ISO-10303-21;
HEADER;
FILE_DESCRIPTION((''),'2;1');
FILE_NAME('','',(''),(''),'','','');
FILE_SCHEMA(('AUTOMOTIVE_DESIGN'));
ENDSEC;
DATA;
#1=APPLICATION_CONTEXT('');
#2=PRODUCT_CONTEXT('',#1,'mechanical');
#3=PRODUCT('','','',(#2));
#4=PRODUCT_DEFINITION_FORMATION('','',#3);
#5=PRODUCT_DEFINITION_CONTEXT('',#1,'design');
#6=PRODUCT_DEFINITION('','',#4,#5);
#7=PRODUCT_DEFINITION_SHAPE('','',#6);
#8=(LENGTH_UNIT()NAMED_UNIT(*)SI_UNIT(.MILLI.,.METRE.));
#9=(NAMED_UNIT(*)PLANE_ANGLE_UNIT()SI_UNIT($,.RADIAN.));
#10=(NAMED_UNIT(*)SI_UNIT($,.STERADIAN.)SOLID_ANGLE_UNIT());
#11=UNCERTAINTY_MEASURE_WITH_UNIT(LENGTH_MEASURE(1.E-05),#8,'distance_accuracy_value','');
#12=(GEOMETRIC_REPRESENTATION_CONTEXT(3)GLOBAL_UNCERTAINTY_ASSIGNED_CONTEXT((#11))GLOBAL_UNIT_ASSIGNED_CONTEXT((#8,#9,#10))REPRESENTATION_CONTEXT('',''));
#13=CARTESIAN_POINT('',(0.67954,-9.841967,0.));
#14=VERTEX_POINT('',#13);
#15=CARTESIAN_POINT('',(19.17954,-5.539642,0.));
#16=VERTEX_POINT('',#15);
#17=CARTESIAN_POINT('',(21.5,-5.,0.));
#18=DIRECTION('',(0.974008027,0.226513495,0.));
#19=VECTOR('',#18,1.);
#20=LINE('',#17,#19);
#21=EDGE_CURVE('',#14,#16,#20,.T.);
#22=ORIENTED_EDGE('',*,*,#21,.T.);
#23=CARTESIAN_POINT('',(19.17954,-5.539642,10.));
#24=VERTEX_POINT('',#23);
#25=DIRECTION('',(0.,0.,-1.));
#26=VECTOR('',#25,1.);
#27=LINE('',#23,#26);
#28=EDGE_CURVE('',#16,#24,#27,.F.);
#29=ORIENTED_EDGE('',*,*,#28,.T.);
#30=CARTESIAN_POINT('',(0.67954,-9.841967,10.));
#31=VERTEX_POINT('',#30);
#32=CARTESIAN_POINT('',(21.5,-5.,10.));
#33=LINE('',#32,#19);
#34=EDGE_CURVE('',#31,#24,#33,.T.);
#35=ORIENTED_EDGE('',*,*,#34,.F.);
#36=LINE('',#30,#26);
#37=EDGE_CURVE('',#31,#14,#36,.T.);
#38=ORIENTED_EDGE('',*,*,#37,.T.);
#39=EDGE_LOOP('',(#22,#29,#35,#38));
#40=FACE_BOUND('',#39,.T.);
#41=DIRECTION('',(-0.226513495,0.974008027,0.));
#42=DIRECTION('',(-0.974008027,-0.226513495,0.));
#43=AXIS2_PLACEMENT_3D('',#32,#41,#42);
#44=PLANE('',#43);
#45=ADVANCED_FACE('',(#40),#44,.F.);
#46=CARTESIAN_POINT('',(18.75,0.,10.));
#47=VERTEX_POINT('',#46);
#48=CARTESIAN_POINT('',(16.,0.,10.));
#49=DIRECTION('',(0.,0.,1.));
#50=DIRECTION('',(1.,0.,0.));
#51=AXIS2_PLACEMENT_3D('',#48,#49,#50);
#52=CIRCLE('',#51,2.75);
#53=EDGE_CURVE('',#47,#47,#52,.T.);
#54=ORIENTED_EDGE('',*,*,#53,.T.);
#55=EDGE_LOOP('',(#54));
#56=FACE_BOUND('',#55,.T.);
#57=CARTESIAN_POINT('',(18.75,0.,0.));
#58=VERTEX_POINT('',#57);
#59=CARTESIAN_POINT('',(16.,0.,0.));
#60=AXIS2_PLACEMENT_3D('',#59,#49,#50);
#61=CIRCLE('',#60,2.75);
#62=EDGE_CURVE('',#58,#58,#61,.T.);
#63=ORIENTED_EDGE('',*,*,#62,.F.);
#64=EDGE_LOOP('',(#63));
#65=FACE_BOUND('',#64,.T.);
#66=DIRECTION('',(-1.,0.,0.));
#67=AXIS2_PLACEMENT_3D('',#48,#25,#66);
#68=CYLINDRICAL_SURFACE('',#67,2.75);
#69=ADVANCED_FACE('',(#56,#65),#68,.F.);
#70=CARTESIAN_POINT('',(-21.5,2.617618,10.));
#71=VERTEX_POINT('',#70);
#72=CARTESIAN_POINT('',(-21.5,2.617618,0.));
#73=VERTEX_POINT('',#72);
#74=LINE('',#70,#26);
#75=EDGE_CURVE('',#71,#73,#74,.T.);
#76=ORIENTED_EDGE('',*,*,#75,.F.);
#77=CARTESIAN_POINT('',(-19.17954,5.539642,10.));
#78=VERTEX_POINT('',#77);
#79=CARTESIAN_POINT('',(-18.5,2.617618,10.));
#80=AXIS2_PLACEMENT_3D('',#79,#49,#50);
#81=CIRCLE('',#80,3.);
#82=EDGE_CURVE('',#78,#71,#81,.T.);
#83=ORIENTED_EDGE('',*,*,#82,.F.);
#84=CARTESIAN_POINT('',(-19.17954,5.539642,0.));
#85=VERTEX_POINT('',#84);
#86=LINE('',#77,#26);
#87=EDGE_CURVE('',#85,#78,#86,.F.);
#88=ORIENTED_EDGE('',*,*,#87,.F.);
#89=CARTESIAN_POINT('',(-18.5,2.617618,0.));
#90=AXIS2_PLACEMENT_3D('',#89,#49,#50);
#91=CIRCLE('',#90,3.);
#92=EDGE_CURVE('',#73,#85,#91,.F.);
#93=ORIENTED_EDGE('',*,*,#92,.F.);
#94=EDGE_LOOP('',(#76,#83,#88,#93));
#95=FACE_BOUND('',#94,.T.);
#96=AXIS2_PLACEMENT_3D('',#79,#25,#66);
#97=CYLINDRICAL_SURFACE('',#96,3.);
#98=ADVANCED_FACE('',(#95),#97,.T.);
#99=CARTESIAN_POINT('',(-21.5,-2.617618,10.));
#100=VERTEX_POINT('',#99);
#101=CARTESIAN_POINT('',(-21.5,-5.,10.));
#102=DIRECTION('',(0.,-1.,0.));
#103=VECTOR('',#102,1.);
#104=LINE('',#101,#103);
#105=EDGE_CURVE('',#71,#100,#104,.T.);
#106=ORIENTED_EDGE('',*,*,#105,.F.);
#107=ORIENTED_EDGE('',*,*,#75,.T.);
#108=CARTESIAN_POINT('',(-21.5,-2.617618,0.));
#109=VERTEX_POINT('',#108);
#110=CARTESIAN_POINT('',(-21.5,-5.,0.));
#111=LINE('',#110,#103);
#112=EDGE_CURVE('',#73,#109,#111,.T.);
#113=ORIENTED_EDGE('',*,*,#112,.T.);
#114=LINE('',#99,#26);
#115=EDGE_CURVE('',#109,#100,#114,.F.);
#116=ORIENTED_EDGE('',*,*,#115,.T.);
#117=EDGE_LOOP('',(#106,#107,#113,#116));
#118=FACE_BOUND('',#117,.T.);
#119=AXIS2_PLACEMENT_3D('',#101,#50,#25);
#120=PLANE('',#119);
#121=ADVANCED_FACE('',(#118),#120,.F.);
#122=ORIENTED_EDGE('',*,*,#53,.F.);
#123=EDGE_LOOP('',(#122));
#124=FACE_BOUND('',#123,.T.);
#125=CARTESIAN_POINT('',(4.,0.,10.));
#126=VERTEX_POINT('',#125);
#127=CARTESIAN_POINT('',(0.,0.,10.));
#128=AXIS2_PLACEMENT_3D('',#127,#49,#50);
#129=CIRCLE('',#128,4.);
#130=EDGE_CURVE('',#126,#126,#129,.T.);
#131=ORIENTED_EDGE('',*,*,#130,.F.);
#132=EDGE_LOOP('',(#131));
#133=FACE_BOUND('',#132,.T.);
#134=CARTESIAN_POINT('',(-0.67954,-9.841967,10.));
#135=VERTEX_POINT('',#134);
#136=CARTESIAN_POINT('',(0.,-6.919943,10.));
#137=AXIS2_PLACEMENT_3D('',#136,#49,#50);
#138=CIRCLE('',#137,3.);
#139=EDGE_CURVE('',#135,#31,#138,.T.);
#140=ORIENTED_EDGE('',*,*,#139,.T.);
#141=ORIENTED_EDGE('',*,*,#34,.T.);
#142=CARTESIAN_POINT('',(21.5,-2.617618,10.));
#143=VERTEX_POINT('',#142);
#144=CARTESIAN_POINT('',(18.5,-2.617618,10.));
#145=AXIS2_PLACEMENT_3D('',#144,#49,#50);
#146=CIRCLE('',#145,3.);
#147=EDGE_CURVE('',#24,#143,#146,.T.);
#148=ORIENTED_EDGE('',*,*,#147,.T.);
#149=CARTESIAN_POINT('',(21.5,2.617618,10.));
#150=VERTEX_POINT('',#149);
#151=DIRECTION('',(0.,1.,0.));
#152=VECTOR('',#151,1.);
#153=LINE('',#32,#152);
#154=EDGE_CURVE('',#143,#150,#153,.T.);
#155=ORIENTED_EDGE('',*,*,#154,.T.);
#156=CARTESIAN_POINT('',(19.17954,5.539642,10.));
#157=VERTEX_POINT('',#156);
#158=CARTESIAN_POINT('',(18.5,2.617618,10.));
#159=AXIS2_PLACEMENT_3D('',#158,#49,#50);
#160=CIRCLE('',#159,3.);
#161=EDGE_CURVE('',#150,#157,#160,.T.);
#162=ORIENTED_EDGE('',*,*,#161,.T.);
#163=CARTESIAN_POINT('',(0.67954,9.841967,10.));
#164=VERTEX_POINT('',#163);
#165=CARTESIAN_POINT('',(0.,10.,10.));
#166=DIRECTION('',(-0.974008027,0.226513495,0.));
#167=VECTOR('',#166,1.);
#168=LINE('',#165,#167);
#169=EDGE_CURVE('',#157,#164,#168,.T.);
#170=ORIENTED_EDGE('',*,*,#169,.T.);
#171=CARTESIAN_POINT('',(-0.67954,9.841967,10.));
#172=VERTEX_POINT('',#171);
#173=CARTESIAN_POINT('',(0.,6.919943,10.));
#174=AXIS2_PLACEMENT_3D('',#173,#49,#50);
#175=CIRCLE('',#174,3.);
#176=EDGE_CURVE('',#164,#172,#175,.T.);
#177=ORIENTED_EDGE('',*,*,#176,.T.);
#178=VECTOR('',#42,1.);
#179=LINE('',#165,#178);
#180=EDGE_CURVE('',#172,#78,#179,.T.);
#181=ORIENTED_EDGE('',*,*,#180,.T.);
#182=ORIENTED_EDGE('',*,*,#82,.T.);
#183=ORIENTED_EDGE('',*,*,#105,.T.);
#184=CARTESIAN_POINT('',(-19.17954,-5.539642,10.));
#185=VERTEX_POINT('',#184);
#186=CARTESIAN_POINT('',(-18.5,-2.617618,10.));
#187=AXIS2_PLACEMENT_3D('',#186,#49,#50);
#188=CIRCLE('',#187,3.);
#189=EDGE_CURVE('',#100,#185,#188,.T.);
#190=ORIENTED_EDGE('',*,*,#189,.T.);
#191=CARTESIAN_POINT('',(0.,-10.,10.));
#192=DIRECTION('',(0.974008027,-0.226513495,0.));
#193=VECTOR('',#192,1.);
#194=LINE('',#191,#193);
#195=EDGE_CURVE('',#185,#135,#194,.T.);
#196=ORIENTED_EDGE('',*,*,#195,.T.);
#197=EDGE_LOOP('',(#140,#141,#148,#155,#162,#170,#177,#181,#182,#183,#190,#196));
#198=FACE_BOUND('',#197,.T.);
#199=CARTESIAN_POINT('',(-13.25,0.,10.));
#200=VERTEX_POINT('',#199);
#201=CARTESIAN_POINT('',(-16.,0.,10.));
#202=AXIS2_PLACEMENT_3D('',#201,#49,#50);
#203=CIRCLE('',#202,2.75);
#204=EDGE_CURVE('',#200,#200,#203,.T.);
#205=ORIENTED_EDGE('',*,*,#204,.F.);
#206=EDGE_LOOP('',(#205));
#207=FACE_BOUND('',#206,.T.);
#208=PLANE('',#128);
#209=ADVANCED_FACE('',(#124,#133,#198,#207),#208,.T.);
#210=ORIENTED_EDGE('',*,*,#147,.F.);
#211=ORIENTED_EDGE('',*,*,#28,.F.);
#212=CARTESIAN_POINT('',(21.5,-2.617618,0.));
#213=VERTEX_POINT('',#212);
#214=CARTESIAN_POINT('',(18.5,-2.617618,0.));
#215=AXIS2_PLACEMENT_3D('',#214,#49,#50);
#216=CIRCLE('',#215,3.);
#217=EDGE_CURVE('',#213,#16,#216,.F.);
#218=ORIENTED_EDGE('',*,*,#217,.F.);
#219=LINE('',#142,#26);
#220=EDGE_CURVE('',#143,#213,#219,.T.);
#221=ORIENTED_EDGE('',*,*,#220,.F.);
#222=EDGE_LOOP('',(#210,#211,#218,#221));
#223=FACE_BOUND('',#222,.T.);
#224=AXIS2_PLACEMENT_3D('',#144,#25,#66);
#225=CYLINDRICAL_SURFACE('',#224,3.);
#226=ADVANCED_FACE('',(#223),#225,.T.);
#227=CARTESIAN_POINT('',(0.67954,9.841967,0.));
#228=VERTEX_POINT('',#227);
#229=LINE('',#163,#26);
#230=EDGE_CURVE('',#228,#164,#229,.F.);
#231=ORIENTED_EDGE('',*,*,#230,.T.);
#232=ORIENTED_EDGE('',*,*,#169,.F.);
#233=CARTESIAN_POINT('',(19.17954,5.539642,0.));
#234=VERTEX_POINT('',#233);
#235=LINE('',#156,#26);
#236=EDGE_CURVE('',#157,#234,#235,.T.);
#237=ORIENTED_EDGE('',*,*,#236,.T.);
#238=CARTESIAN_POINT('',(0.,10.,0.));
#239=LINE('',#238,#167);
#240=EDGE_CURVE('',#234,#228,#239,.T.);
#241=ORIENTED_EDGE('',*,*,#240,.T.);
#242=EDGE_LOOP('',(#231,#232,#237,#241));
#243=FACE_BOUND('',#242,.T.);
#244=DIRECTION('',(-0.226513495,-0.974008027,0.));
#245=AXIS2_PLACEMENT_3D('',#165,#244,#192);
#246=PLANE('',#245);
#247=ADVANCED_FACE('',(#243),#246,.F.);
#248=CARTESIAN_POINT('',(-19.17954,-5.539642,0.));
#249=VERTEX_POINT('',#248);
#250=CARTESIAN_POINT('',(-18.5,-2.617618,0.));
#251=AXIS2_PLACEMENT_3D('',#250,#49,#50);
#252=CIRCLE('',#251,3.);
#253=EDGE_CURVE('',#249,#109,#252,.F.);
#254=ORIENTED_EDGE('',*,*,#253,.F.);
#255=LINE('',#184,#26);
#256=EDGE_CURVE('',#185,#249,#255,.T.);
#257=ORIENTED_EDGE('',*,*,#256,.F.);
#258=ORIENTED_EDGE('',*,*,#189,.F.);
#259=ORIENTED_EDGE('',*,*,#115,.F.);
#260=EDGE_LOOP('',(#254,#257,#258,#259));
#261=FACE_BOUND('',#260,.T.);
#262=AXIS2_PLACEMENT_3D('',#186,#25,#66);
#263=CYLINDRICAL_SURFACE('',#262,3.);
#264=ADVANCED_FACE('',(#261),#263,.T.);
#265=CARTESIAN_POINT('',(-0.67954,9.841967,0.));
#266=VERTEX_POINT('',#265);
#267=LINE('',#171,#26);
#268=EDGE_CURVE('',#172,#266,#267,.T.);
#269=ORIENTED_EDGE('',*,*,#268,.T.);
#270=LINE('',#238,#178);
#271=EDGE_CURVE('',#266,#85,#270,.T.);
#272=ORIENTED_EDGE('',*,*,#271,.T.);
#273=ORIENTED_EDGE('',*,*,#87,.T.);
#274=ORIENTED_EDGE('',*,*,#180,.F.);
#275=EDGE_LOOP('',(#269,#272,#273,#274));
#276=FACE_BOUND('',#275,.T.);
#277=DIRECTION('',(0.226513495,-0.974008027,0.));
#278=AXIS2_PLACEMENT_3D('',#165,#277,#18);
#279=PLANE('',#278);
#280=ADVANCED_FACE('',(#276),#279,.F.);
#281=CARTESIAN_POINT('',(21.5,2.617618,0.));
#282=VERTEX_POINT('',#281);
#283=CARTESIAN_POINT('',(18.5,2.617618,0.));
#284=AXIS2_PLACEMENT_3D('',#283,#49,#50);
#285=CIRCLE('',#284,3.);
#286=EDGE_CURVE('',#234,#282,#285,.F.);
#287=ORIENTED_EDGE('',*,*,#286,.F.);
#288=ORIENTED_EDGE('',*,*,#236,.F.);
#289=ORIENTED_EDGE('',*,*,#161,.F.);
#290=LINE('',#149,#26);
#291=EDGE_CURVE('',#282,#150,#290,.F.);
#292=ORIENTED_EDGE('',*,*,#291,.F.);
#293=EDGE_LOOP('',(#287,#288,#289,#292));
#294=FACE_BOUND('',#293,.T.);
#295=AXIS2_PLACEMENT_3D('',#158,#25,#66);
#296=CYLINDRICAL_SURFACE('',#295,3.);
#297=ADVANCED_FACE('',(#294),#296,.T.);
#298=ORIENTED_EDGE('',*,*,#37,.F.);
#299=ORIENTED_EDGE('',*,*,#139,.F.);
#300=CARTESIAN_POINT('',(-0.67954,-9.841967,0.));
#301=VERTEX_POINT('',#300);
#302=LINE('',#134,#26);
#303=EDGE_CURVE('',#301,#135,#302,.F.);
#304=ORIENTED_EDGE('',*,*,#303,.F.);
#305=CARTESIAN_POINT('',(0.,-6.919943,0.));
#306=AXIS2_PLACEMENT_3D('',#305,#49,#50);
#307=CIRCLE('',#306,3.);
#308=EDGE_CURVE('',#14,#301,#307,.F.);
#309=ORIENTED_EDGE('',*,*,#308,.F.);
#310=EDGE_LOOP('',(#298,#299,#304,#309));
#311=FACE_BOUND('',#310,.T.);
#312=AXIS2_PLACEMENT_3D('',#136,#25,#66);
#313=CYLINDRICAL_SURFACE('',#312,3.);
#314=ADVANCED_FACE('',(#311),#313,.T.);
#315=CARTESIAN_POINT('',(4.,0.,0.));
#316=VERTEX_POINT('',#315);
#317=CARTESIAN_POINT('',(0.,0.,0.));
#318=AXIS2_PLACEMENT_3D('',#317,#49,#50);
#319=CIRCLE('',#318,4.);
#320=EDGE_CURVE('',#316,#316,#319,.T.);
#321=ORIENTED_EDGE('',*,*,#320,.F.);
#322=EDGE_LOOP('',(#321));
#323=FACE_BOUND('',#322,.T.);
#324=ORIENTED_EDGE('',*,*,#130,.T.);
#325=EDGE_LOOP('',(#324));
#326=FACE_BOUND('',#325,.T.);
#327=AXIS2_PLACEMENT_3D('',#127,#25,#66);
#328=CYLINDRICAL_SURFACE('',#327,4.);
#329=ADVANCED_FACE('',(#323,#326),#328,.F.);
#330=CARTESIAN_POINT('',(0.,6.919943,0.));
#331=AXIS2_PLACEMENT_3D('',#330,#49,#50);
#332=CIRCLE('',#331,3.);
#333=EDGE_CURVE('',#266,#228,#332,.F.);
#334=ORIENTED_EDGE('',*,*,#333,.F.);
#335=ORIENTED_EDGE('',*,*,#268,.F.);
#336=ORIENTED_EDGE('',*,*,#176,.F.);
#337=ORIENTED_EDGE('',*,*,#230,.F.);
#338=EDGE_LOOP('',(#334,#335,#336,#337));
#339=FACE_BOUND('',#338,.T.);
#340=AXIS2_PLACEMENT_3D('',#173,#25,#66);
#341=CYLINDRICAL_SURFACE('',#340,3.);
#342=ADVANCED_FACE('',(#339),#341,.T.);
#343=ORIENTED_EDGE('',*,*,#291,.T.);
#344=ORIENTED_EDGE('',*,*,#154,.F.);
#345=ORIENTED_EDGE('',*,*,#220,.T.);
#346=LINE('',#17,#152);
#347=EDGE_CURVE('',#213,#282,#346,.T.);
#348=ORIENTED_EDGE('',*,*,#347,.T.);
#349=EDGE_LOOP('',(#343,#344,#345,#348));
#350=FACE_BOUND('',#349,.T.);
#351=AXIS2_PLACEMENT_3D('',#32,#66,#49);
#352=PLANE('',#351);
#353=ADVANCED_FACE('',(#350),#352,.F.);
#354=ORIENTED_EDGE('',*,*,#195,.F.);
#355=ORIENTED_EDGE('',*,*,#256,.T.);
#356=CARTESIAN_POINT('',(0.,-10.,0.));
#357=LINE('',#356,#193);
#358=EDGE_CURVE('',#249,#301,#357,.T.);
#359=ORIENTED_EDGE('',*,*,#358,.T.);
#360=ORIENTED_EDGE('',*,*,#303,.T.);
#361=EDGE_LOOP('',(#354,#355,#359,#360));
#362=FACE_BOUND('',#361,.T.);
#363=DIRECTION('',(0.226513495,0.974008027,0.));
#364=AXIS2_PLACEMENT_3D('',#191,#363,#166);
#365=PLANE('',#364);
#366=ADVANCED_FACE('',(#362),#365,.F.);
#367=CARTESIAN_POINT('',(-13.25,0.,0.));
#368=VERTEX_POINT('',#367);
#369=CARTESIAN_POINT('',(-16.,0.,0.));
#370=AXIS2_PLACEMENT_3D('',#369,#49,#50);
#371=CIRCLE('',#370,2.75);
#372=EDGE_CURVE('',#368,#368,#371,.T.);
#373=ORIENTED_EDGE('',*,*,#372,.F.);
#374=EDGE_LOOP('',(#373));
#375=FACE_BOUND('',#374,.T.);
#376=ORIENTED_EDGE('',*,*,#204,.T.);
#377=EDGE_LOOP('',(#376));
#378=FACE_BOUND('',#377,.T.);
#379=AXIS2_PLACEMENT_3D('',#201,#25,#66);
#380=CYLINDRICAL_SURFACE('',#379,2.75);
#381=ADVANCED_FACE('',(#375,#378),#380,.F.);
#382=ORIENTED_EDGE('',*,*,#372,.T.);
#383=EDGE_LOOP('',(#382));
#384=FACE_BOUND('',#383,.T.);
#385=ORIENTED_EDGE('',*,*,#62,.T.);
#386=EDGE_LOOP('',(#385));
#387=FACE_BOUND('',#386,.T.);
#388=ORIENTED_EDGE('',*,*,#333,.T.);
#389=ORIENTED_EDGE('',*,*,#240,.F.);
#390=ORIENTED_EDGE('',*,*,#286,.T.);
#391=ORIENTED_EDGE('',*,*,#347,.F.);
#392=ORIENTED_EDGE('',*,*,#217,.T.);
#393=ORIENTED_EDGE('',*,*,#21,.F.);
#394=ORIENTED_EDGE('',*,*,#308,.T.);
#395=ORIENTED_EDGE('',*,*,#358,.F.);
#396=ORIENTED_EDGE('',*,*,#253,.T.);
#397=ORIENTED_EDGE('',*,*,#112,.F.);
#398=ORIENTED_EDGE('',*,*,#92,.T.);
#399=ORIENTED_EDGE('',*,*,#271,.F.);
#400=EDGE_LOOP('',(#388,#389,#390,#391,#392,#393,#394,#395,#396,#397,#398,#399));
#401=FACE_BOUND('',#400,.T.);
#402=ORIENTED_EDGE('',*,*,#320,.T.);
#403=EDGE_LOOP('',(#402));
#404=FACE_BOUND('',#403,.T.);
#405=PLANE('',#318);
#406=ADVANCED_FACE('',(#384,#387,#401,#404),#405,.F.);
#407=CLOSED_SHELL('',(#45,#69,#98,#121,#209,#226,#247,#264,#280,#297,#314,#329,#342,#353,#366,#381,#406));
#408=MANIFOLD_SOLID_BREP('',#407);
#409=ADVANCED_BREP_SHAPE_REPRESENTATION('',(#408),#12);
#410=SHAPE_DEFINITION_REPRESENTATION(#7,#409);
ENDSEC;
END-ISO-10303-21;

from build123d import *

# Parameters (mm, degrees)
SKETCH1_R           = 4
SKETCH1_R_2         = 2.75
BOSS_EXTRUDE1_DEPTH = 10
FILLET1_R           = 3


with BuildPart() as part:
    # Sketch1 → Boss-Extrude1 (new body)
    with BuildSketch(Plane.XY):
        Polygon((-21.5, -5), (-21.5, 5), (0, 10), (21.5, 5), (21.5, -5), (0, -10), align=None)
        Circle(SKETCH1_R, mode=Mode.SUBTRACT)
        with Locations((-16, 0)):
            Circle(SKETCH1_R_2, mode=Mode.SUBTRACT)
        with Locations((16, 0)):
            Circle(SKETCH1_R_2, mode=Mode.SUBTRACT)
    extrude(amount=BOSS_EXTRUDE1_DEPTH)

    # Fillet1
    fillet1_edges = [part.edges().sort_by_distance(p)[0] for p in [
        (21.5, 5, 5),
        (21.5, -5, 5),
        (0, -10, 5),
        (-21.5, -5, 5),
        (-21.5, 5, 5),
        (0, 10, 5),
    ]]
    fillet(fillet1_edges, radius=FILLET1_R)


solid = part.part
